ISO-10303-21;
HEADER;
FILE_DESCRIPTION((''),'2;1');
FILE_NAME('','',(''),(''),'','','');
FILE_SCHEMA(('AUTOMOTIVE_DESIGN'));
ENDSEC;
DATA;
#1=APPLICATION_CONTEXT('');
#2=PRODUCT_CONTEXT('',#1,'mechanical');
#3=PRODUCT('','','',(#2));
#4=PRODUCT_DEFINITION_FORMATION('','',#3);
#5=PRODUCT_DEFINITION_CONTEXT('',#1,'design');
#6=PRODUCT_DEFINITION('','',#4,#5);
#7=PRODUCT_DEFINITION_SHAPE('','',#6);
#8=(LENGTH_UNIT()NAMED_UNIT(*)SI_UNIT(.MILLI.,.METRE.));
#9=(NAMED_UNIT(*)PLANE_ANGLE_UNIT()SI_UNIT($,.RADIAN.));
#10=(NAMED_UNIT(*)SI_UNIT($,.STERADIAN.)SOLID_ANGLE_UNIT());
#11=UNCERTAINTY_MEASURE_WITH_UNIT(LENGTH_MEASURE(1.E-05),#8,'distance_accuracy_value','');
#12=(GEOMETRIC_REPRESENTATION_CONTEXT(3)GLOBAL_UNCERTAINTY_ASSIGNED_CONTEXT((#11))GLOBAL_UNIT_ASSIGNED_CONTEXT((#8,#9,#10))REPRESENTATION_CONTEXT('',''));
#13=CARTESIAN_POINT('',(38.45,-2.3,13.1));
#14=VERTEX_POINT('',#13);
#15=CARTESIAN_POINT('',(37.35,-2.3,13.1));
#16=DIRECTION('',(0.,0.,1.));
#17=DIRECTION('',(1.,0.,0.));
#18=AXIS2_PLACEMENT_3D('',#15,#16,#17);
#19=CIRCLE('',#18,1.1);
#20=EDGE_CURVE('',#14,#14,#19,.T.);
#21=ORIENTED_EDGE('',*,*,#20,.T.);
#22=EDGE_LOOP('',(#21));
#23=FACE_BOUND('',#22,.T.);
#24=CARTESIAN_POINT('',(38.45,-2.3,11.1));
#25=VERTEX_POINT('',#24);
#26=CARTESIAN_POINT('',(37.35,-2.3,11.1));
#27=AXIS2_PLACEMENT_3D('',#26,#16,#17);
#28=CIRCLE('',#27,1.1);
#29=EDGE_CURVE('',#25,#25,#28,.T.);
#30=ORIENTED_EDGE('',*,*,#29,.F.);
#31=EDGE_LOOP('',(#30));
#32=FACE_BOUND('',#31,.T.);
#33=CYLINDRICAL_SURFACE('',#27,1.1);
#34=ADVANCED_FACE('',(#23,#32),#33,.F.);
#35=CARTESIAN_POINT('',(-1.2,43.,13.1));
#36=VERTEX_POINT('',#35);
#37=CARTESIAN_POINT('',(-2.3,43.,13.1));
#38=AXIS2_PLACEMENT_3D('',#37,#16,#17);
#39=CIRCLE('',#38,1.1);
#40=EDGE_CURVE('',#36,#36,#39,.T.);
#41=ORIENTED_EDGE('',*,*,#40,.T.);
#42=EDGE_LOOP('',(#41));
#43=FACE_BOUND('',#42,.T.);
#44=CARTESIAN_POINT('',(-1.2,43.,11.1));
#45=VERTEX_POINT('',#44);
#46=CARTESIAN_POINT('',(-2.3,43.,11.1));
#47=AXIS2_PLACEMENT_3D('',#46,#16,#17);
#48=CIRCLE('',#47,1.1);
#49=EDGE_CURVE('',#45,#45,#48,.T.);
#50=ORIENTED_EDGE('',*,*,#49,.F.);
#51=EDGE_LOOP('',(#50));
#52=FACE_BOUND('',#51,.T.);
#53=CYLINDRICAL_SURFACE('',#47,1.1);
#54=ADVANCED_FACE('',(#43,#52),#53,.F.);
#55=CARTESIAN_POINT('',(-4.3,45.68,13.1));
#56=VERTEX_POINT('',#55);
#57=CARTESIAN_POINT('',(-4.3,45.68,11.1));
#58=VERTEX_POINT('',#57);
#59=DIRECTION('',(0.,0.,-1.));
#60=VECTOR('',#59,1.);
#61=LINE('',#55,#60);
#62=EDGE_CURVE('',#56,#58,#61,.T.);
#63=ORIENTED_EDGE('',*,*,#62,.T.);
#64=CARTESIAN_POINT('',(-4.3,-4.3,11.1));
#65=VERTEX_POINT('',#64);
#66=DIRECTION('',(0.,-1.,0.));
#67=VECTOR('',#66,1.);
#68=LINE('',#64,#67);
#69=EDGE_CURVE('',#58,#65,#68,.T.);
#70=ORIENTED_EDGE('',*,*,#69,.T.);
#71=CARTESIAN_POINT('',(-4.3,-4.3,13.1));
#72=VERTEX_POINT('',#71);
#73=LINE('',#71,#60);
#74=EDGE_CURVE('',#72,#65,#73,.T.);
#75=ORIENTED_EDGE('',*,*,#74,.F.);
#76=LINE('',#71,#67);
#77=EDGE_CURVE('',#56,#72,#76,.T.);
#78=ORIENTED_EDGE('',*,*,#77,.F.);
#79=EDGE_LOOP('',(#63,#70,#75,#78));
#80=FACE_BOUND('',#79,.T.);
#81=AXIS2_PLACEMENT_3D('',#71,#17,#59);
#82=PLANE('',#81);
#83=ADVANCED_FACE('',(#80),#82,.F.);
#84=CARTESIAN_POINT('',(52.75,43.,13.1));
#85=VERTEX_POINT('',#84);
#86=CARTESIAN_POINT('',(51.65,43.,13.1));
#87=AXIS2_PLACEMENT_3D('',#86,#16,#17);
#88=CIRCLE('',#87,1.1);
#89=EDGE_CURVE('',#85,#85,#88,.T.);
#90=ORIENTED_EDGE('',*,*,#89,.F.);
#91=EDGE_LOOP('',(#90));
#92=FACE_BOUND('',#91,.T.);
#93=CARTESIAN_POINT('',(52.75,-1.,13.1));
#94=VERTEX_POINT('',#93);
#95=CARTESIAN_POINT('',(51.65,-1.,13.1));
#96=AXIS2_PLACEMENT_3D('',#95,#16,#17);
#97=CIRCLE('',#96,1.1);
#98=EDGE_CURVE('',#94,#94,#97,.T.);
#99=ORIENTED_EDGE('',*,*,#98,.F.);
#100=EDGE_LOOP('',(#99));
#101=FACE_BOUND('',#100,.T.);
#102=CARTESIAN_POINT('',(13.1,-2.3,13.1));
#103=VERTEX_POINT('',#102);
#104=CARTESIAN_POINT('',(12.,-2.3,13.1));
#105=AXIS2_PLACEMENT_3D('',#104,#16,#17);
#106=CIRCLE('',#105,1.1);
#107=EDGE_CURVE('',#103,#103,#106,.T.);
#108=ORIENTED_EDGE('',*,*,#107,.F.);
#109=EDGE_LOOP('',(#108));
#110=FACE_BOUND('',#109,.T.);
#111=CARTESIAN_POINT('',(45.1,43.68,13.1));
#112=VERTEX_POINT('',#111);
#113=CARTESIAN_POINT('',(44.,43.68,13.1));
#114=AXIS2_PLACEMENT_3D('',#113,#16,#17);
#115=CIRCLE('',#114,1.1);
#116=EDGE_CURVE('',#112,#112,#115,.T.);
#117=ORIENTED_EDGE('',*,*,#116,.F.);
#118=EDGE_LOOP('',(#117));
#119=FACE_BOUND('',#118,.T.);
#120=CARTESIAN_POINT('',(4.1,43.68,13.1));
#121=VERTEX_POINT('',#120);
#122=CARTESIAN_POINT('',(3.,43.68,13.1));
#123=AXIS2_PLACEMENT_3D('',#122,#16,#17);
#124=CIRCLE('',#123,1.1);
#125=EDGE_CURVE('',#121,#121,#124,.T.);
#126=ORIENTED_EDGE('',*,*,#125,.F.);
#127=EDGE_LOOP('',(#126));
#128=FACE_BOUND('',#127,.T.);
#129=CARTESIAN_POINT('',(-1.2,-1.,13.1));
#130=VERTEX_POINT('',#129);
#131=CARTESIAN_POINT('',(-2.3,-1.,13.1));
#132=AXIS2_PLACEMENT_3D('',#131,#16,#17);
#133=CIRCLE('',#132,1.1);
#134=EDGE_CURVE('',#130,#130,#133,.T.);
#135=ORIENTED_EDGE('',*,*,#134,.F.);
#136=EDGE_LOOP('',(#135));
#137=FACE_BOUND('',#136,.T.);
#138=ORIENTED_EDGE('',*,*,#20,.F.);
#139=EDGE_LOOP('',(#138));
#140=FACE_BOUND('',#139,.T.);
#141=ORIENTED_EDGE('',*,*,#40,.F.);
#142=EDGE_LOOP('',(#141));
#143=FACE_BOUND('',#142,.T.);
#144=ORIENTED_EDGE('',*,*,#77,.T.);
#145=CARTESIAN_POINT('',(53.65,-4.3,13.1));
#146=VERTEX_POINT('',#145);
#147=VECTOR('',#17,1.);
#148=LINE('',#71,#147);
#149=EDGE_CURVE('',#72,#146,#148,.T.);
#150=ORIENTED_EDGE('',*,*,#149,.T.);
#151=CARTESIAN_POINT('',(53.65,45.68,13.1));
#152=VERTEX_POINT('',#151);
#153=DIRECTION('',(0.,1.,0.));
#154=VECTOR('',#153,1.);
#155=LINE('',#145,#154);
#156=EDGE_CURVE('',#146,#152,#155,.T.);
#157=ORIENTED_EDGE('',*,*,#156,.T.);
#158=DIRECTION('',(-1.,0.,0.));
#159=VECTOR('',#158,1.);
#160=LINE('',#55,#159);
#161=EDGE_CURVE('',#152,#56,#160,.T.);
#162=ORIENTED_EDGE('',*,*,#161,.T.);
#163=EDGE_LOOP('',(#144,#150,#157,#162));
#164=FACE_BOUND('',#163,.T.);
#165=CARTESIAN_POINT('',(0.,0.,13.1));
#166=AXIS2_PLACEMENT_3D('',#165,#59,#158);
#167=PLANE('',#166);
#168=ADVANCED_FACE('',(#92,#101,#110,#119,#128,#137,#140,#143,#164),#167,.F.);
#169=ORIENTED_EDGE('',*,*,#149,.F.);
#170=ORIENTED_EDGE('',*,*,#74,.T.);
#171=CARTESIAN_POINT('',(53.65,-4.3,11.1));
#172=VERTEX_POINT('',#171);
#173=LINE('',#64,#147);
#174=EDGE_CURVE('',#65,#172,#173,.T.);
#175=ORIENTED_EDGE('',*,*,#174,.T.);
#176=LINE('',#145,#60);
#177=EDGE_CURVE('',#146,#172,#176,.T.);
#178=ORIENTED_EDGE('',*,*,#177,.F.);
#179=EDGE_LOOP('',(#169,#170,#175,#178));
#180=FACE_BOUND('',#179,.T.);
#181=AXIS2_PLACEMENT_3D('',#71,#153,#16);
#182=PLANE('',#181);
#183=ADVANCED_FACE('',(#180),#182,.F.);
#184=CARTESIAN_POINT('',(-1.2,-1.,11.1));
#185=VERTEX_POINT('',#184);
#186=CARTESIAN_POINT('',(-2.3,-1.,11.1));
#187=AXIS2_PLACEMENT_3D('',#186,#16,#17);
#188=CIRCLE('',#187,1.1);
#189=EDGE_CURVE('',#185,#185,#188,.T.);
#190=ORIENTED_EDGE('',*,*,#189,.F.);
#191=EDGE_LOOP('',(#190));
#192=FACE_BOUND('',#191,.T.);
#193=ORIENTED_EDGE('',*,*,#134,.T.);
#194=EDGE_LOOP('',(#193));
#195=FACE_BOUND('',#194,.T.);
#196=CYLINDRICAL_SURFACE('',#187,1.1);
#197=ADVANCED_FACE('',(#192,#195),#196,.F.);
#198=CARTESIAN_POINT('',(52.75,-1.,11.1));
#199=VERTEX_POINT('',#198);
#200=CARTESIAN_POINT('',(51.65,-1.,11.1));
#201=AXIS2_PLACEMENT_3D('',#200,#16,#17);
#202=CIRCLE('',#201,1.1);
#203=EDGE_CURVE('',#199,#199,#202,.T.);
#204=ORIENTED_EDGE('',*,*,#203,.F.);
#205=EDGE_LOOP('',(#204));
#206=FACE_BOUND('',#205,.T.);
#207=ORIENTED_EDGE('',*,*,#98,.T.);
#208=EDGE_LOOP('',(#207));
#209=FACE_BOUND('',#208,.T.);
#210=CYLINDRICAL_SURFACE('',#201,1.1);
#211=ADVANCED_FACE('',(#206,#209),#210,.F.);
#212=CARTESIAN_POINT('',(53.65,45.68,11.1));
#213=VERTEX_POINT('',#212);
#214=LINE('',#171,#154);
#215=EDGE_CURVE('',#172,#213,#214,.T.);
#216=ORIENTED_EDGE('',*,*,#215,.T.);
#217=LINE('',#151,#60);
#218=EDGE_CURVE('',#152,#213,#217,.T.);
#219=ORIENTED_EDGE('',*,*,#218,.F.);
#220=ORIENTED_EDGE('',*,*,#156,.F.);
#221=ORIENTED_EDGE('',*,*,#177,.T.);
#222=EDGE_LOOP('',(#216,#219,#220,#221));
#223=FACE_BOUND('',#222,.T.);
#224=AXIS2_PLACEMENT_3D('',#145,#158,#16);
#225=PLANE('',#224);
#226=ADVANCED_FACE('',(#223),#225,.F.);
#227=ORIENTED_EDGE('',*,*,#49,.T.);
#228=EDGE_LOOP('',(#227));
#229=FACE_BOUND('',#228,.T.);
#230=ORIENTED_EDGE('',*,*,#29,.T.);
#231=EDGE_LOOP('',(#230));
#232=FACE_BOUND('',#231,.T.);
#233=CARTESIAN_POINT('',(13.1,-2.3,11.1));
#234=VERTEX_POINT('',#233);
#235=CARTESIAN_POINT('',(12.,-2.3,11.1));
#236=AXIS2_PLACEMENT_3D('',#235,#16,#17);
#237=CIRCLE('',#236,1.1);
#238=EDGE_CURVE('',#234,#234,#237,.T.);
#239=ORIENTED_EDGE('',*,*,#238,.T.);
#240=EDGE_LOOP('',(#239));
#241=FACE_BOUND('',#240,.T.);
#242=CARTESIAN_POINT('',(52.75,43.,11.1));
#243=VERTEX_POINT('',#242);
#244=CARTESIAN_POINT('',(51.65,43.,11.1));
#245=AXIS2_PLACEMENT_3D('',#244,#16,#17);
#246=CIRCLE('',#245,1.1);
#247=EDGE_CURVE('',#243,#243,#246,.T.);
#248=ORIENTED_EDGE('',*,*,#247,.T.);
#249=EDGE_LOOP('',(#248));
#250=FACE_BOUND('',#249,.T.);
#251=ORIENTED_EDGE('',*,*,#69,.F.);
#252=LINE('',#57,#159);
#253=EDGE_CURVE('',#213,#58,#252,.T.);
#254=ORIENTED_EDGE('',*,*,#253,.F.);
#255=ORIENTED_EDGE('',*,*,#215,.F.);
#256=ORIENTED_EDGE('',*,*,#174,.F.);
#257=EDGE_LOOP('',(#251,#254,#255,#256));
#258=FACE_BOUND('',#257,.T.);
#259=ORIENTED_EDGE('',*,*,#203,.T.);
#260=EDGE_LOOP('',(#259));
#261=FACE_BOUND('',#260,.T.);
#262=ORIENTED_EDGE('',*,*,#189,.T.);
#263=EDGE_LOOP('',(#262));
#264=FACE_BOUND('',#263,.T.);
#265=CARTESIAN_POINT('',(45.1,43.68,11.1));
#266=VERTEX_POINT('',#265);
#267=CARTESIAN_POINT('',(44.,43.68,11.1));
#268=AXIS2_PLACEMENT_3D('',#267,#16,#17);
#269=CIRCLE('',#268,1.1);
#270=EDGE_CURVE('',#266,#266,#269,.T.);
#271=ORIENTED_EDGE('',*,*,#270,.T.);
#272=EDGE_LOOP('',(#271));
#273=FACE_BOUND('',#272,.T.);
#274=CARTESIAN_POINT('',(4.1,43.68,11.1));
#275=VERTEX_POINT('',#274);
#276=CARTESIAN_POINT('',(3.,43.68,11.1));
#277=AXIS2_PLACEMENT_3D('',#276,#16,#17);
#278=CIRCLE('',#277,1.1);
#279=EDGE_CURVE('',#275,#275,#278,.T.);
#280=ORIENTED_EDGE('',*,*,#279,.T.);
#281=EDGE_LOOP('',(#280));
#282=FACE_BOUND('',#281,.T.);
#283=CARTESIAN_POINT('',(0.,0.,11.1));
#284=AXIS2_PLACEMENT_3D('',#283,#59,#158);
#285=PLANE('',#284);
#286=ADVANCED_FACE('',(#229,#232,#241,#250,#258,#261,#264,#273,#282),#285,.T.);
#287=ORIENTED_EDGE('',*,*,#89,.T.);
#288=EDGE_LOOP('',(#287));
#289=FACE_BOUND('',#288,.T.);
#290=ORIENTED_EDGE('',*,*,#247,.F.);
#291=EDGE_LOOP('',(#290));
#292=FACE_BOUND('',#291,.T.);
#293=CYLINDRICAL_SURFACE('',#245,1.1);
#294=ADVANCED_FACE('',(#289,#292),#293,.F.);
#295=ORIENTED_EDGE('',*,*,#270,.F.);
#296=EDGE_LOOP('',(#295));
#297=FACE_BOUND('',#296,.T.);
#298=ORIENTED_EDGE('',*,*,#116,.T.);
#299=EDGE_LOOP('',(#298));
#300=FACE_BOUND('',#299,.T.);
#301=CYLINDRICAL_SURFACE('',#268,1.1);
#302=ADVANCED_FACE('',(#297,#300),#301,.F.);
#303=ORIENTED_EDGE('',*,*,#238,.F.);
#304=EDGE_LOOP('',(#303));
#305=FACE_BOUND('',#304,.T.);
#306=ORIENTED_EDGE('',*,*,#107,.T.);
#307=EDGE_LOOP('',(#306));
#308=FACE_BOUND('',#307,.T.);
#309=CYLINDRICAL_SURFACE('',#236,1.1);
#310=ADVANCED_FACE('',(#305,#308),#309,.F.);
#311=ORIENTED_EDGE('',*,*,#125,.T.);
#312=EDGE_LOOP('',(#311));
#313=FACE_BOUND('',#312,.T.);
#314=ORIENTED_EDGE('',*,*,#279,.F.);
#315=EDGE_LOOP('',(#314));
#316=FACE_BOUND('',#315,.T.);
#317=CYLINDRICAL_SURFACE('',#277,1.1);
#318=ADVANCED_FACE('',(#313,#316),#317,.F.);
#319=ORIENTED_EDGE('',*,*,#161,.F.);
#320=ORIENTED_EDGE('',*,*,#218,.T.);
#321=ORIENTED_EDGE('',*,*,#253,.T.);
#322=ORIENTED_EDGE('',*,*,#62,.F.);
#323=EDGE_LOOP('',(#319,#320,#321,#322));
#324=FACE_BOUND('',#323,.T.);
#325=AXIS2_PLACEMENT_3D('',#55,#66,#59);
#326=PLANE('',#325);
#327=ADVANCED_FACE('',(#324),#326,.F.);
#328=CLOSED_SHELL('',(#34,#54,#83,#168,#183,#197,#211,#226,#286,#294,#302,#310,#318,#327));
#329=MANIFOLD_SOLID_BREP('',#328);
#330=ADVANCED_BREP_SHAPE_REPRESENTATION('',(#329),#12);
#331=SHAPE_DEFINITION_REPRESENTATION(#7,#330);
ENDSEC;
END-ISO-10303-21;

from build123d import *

# Parameters (mm, degrees)
SKETCH_1_W                 = 57.95
SKETCH_1_H                 = 49.98
COVER_2MM_DEPTH            = 2
SKETCH_2_R                 = 1.1
COVER_8XD2P2_THROUGH_DEPTH = 71.491027089


with BuildPart() as part:
    # 草图1 → Cover_2mm (new body)
    with BuildSketch(Plane.XY):
        with Locations((24.675, 20.69)):
            Rectangle(SKETCH_1_W, SKETCH_1_H)
    extrude(amount=COVER_2MM_DEPTH)


with BuildPart() as part_1:
    # Stock_Z_Position: moved
    add(part.part.moved(Location((0, 0, 11.1))))

    # 草图2 → Cover_8xD2p2_Through (cut, through all)
    with BuildSketch(Plane.XY.offset(13.1)):
        with Locations((-2.3, -1)):
            Circle(SKETCH_2_R)
        with Locations((-2.3, 43)):
            Circle(SKETCH_2_R)
        with Locations((51.65, -1)):
            Circle(SKETCH_2_R)
        with Locations((51.65, 43)):
            Circle(SKETCH_2_R)
        with Locations((12, -2.3)):
            Circle(SKETCH_2_R)
        with Locations((37.35, -2.3)):
            Circle(SKETCH_2_R)
        with Locations((3, 43.68)):
            Circle(SKETCH_2_R)
        with Locations((44, 43.68)):
            Circle(SKETCH_2_R)
    extrude(amount=-COVER_8XD2P2_THROUGH_DEPTH, mode=Mode.SUBTRACT)


solid = part_1.part
